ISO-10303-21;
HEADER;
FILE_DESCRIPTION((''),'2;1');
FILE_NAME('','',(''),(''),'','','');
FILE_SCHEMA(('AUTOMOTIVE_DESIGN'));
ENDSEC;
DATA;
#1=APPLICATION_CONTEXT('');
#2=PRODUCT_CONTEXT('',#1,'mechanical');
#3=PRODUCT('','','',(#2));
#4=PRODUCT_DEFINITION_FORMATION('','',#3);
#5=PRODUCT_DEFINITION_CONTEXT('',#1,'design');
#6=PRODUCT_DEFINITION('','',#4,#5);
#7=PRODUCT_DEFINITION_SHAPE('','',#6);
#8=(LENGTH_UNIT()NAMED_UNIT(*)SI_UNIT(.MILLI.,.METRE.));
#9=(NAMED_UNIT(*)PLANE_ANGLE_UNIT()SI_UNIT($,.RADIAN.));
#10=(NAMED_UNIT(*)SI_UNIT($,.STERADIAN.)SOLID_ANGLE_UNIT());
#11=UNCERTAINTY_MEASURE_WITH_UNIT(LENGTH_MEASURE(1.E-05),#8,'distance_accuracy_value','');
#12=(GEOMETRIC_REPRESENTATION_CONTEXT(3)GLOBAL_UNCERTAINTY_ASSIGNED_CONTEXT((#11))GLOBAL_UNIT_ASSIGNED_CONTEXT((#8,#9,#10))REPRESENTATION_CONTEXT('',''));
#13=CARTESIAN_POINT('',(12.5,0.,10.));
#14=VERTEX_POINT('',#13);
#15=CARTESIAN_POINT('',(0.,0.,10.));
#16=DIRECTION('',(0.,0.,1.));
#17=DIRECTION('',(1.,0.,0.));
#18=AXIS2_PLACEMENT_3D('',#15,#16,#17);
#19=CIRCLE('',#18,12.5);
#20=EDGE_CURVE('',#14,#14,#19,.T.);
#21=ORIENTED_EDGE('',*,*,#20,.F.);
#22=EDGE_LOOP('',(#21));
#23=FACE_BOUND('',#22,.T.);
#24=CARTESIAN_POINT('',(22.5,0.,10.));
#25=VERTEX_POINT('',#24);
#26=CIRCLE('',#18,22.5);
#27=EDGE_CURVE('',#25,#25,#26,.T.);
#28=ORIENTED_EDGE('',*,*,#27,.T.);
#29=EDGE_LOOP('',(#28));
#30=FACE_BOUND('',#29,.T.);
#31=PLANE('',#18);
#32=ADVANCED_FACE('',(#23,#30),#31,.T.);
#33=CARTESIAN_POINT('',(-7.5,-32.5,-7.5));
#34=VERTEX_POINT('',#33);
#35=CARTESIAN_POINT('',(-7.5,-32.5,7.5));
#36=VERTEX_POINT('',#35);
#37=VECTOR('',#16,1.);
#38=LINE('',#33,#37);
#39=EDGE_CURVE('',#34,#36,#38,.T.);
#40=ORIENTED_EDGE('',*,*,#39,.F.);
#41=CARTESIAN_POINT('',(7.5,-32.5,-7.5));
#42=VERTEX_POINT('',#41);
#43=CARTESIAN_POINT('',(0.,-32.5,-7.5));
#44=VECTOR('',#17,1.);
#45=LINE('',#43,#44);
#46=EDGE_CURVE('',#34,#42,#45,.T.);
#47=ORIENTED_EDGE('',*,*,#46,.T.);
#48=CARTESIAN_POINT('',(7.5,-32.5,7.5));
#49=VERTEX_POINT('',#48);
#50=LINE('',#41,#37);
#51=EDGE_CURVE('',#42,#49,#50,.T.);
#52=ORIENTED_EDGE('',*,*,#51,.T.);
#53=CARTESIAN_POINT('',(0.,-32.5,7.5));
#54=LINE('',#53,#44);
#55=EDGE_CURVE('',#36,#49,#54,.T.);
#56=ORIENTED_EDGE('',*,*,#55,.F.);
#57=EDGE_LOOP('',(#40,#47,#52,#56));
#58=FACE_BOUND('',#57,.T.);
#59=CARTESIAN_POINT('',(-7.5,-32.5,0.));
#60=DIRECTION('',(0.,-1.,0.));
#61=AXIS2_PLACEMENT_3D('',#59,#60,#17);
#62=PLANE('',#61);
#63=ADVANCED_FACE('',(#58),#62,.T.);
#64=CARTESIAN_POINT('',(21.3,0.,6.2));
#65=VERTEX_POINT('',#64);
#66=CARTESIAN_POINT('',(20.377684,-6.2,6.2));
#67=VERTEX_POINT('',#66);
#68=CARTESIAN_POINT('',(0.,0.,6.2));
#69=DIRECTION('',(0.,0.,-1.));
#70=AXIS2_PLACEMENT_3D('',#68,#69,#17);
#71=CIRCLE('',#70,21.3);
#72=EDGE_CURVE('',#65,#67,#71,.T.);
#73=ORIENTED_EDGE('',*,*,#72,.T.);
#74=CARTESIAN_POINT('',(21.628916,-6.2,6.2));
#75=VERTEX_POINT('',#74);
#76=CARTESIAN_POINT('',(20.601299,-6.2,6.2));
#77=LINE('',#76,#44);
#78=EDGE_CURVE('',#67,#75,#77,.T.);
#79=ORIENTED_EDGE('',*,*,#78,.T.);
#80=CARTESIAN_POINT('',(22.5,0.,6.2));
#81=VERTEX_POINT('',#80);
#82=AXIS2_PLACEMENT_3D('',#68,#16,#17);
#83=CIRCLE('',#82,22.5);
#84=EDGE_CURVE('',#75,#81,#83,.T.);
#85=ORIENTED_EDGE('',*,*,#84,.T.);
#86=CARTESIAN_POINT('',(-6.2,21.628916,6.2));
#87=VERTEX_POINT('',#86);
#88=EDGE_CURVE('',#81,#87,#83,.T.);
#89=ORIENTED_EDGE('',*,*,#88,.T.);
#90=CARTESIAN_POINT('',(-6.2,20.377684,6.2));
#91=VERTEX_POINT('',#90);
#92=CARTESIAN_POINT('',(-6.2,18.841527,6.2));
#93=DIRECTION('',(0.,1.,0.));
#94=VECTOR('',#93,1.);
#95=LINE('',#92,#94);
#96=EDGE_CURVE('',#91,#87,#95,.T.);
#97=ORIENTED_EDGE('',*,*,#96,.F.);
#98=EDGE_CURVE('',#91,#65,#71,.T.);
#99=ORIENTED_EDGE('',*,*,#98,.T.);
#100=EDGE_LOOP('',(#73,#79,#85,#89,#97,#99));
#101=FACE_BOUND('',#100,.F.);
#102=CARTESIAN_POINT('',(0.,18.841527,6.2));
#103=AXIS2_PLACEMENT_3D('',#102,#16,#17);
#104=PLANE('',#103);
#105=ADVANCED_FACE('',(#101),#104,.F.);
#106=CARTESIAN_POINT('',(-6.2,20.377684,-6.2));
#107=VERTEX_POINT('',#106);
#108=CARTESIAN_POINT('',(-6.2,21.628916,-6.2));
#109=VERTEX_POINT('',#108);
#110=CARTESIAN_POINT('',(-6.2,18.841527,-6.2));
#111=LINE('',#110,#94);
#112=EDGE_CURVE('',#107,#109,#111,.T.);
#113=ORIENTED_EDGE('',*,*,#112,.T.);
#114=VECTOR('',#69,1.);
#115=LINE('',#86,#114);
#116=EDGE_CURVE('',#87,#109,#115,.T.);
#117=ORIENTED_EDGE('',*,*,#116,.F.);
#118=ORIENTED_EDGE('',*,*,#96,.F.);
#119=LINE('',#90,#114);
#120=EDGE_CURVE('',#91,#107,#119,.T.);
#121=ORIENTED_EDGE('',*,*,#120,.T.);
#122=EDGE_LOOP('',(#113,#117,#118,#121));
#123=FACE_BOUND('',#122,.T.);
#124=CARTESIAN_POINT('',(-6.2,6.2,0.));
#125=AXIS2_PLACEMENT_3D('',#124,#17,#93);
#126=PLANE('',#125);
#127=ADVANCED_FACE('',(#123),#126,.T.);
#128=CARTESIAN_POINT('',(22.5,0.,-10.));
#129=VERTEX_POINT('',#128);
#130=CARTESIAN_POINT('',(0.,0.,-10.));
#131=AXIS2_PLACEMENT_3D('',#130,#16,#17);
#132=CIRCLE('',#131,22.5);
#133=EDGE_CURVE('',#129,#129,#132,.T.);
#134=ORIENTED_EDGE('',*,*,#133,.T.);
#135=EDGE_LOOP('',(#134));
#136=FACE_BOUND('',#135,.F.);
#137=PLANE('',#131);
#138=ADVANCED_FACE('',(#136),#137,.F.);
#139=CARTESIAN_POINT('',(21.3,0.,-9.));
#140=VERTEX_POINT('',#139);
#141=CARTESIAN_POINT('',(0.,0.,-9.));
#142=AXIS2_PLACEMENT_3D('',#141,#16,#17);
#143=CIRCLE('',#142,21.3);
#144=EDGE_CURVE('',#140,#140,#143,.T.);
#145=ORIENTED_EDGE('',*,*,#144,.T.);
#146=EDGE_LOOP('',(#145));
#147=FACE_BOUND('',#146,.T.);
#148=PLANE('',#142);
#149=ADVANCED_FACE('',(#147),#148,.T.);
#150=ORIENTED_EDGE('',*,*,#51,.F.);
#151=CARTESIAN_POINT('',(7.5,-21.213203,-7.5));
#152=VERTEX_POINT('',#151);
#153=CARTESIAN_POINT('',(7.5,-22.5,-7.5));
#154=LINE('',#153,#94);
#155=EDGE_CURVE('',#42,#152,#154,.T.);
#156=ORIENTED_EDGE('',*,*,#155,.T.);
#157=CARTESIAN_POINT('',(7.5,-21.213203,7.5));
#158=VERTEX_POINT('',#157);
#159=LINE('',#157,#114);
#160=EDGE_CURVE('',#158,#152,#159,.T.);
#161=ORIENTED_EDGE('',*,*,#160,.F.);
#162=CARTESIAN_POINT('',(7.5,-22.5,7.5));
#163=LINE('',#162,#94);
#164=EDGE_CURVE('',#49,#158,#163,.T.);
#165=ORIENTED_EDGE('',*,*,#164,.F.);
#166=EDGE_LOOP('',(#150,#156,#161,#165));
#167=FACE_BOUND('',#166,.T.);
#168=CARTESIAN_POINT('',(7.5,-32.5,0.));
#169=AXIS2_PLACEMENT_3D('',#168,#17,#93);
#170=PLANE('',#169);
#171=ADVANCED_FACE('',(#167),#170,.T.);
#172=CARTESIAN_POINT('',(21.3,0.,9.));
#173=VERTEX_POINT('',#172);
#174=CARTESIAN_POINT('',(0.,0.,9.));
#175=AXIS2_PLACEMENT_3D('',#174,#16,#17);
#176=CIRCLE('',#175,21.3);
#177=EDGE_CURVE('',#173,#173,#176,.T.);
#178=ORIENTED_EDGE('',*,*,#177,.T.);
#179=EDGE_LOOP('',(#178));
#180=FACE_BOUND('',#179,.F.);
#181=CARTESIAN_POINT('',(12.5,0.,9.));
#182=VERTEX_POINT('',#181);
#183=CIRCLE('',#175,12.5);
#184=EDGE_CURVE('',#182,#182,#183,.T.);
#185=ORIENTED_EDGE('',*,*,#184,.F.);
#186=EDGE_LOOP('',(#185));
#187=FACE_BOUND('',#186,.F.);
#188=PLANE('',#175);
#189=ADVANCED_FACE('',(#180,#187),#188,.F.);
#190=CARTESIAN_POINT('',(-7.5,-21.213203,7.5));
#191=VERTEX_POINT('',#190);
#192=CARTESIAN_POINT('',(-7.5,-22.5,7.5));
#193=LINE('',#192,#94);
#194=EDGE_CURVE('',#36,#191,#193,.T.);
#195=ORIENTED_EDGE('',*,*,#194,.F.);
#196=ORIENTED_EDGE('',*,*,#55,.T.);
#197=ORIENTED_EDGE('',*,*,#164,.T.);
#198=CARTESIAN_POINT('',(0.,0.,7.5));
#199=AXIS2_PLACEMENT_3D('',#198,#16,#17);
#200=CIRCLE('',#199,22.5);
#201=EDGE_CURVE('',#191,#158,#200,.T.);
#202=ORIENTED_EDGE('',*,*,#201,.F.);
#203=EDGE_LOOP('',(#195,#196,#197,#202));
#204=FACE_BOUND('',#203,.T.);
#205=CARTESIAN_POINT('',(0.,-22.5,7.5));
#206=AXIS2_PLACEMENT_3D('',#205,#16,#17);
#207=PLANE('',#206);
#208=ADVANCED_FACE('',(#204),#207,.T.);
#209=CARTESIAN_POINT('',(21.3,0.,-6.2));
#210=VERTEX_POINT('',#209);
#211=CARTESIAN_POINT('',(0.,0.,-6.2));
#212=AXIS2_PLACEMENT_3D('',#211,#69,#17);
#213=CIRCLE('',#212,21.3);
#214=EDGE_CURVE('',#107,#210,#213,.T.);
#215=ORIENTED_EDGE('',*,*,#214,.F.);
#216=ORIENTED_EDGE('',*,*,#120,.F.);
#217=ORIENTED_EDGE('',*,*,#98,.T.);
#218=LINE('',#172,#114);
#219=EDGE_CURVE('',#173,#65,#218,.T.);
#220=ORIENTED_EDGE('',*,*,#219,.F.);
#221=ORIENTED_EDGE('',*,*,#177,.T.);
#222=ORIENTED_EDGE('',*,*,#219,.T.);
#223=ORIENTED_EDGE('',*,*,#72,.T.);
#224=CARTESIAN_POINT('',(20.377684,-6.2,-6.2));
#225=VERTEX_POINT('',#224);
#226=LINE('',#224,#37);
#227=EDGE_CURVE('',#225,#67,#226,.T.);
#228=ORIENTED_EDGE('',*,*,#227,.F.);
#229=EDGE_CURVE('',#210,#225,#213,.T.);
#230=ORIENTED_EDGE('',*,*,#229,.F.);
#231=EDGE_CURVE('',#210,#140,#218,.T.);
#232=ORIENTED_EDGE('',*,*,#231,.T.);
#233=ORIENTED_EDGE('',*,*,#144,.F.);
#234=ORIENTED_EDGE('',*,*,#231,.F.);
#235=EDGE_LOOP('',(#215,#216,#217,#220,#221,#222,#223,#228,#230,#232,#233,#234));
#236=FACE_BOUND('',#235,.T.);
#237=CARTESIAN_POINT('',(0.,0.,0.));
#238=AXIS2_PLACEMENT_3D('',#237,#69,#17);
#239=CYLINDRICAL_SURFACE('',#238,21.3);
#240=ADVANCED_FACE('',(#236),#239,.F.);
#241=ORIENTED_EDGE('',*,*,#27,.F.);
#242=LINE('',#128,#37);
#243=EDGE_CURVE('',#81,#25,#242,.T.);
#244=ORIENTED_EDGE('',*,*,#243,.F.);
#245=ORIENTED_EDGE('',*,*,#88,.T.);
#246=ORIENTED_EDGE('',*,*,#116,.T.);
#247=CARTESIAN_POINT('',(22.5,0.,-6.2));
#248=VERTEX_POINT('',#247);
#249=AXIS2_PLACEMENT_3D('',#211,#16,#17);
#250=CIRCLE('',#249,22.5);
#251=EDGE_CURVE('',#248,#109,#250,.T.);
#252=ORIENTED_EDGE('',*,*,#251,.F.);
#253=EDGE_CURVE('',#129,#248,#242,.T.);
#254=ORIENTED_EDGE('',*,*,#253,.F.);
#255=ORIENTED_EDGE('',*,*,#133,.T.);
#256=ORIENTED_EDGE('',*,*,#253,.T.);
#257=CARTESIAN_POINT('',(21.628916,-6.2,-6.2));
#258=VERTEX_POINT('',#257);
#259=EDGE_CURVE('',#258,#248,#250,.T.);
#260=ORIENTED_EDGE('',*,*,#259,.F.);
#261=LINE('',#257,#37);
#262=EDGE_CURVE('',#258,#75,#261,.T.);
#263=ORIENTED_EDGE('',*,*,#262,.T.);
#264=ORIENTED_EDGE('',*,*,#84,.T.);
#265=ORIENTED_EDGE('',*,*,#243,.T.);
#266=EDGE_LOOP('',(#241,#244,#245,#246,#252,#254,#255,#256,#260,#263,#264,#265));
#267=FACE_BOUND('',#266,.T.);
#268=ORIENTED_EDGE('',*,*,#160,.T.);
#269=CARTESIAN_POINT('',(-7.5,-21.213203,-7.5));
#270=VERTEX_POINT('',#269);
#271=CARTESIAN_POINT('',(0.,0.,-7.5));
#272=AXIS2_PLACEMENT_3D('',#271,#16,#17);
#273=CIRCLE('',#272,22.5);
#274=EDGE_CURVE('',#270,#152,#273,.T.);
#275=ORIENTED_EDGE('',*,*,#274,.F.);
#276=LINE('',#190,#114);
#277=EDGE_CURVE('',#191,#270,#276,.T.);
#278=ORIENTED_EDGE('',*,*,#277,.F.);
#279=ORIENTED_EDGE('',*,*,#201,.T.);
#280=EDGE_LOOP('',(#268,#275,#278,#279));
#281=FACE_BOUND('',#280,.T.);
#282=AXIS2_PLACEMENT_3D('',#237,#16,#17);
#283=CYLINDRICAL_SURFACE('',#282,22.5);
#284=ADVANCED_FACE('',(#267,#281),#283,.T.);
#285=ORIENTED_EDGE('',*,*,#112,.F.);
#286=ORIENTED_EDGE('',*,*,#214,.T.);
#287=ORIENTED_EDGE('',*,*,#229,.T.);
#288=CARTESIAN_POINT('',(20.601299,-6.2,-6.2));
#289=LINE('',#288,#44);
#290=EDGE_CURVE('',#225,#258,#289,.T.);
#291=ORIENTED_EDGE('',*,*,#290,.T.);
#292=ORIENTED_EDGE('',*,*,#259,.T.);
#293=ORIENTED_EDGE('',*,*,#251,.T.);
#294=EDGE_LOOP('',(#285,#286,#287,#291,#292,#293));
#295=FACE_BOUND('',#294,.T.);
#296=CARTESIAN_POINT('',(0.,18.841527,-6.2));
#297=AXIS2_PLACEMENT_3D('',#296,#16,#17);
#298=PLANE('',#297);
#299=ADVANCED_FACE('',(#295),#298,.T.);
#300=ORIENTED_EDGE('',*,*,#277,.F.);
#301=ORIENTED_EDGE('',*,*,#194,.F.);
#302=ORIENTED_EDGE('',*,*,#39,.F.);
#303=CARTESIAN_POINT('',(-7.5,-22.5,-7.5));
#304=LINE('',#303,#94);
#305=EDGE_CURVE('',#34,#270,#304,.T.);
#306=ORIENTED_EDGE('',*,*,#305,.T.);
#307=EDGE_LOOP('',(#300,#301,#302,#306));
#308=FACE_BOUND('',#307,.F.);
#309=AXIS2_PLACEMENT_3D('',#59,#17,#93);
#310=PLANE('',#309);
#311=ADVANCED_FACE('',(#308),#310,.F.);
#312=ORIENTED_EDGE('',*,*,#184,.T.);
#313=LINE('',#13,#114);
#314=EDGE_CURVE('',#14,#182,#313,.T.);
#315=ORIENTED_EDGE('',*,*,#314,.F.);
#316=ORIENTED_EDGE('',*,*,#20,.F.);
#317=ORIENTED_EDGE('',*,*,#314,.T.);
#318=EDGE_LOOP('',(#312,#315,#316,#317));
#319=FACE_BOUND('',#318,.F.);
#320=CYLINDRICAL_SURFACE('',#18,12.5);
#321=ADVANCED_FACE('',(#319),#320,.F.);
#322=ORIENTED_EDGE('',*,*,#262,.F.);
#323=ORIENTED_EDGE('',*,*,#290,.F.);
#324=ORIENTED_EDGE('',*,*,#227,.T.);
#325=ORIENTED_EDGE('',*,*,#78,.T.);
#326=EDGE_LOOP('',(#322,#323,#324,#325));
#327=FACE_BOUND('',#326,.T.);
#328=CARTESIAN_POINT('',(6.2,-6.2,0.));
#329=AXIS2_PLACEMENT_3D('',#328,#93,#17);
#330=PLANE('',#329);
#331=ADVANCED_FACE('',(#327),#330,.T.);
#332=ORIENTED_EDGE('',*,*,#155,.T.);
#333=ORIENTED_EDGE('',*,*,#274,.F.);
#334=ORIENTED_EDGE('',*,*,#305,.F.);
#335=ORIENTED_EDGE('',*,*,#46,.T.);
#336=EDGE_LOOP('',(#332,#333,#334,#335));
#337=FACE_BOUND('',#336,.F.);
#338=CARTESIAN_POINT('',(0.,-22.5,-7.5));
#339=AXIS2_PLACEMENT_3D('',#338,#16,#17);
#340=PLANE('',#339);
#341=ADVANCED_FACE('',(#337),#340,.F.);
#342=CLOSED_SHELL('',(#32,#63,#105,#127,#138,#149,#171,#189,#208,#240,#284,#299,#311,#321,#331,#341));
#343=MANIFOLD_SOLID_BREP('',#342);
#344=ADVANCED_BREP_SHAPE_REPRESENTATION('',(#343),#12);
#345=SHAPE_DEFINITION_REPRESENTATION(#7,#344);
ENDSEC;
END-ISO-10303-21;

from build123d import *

# Parameters (mm, degrees)
F0_R          = 22.5
F1_DEPTH      = 10
F1_DEPTH_BACK = 10
F2_W          = 15
F2_H          = 20
F3_DEPTH      = 7.5
F3_DEPTH_BACK = 7.5
F4_R          = 21.3
F5_DEPTH      = 9
F5_DEPTH_BACK = 9
F6_R          = 12.5
F7_DEPTH      = 3
F8_W          = 12.4
F8_H          = 25.2830533619
F8_W_2        = 28.802598262
F8_H_2        = 12.4
F9_DEPTH      = 6.2
F9_DEPTH_BACK = 6.2


with BuildPart() as f1:
    # F0 (on Top) → F1 (new body, two sides)
    with BuildSketch(Plane.XY) as f1_sk:
        Circle(F0_R)
    extrude(amount=F1_DEPTH)
    extrude(f1_sk.sketch, amount=-F1_DEPTH_BACK)

    # F2 (on Top) → F3 (join, two sides)
    with BuildSketch(Plane.XY) as f3_sk:
        with Locations((0, -22.5)):
            Rectangle(F2_W, F2_H)
    extrude(amount=F3_DEPTH)
    extrude(f3_sk.sketch, amount=-F3_DEPTH_BACK)

    # F4 (on Top) → F5 (cut, two sides)
    with BuildSketch(Plane.XY) as f5_sk:
        Circle(F4_R)
    extrude(amount=-F5_DEPTH, mode=Mode.SUBTRACT)
    extrude(f5_sk.sketch, amount=F5_DEPTH_BACK, mode=Mode.SUBTRACT)

    # F6 (on face) → F7 (cut)
    with BuildSketch(Plane.XY.offset(10)):
        Circle(F6_R)
    extrude(amount=-F7_DEPTH, mode=Mode.SUBTRACT)

    # F8 (on Top) → F9 (cut, two sides)
    with BuildSketch(Plane.XY) as f9_sk:
        with Locations((0, 18.841526681)):
            Rectangle(F8_W, F8_H)
        Polygon((6.2, 31.4830533619), (6.2, 6.2), (35.002598262, 6.2), align=None)
        with Locations((20.601299131, 0)):
            Rectangle(F8_W_2, F8_H_2)
    extrude(amount=-F9_DEPTH, mode=Mode.SUBTRACT)
    extrude(f9_sk.sketch, amount=F9_DEPTH_BACK, mode=Mode.SUBTRACT)


solid = f1.part
